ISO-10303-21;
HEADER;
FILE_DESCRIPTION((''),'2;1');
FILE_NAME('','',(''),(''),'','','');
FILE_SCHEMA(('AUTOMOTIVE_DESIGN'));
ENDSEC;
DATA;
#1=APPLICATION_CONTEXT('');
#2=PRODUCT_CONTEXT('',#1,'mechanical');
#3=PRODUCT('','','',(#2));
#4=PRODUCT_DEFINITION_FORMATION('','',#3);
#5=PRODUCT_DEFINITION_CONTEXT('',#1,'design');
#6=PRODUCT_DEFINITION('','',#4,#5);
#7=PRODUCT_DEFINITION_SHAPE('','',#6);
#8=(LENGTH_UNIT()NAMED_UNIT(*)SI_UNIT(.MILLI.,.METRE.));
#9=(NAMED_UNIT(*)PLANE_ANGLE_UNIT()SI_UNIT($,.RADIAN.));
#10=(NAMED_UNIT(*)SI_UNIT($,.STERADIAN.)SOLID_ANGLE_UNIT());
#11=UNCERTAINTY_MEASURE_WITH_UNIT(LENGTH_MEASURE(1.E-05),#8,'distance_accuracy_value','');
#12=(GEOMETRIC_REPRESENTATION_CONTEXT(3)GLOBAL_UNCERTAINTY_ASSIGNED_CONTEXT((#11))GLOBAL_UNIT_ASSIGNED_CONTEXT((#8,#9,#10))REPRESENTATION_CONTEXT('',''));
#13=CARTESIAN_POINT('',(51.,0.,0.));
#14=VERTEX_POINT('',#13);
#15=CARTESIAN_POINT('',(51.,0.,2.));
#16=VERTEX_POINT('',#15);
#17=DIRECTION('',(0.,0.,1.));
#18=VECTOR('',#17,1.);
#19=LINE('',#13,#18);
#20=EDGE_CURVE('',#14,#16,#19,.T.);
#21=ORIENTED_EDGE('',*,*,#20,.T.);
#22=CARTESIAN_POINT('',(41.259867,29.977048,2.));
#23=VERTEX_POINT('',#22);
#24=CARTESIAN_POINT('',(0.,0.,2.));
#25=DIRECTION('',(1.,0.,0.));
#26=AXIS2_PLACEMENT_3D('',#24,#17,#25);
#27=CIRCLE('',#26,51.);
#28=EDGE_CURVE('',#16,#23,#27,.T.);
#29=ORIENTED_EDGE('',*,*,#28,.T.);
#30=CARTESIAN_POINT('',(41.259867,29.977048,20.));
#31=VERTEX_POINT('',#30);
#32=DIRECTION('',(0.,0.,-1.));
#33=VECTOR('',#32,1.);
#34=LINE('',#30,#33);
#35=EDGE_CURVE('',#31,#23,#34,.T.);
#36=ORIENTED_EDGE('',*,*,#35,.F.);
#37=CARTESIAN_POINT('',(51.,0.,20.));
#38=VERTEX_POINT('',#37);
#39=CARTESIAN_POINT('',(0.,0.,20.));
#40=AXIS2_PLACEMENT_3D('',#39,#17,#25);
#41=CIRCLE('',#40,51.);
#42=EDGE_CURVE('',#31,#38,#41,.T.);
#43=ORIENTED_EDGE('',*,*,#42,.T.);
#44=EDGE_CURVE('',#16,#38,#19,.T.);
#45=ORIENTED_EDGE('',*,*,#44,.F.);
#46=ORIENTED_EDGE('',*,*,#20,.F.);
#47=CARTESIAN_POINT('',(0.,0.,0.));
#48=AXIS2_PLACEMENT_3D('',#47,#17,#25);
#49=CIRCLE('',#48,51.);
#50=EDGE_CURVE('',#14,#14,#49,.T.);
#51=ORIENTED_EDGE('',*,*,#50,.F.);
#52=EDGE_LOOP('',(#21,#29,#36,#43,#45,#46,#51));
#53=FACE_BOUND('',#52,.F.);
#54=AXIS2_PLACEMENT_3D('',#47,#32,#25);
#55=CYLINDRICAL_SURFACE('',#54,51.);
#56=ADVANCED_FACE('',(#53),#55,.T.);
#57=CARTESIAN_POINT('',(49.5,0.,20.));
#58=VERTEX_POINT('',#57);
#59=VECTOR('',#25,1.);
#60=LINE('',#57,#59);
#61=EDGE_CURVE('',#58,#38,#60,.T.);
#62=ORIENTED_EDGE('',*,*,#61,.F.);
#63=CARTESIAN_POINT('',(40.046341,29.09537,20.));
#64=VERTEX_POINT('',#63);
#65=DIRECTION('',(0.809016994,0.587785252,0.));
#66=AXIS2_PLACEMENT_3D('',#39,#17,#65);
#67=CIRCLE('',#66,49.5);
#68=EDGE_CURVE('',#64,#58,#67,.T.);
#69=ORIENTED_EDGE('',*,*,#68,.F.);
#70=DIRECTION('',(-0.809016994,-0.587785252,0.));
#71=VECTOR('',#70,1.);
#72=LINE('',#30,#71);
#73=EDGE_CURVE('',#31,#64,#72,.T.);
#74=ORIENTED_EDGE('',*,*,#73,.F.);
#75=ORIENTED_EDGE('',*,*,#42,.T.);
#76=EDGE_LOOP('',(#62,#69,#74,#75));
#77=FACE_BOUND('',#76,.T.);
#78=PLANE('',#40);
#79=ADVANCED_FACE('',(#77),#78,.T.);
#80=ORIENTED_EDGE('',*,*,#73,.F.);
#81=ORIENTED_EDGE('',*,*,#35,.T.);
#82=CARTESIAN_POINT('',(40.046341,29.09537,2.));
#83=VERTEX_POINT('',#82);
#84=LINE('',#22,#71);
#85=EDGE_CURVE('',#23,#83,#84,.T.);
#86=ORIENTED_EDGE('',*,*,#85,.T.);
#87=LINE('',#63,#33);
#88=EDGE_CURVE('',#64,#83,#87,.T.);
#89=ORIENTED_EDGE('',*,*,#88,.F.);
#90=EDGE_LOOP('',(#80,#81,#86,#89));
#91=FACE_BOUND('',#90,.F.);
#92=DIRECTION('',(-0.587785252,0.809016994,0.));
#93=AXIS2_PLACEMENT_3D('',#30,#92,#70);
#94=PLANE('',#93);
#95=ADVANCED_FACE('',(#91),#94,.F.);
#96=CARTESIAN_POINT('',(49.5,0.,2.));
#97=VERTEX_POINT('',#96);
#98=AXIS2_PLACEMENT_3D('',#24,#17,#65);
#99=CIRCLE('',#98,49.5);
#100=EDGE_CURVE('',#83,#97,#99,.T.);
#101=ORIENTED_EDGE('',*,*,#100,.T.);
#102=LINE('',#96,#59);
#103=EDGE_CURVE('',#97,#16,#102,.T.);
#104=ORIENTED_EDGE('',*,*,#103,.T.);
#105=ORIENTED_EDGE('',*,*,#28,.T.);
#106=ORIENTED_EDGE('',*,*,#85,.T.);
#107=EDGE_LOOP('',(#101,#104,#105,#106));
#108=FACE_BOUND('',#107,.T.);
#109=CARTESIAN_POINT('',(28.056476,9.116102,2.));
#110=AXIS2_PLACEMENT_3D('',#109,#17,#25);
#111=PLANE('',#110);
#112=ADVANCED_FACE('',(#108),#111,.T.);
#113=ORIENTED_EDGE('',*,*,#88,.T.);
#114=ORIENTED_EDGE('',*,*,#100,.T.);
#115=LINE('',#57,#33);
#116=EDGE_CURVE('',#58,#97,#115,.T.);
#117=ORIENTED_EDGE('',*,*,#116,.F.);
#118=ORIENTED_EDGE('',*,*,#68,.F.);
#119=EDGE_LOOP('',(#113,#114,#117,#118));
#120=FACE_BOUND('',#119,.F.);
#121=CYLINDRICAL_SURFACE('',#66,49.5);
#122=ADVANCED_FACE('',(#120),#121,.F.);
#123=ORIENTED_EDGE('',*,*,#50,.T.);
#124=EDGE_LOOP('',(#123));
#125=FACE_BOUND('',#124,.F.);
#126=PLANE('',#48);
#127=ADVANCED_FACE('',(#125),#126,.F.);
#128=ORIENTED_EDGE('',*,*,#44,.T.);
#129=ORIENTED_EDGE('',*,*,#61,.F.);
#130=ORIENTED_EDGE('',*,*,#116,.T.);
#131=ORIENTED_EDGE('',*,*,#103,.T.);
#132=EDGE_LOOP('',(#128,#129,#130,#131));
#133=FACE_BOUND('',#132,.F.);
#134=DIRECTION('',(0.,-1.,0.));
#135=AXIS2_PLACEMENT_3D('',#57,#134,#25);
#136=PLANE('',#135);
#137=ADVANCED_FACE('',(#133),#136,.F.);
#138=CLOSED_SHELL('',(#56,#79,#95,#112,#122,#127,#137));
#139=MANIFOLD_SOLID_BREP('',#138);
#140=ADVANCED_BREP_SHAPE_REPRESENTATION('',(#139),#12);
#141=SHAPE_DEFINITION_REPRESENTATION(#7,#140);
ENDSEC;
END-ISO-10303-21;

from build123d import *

# Parameters (mm, degrees)
F0_R     = 51
F1_DEPTH = 20
F3_DEPTH = 18


with BuildPart() as f1:
    # F0 (on Top) → F1 (new body)
    with BuildSketch(Plane.XY):
        Circle(F0_R)
    extrude(amount=F1_DEPTH)

    # F2 (on face) → F3 (cut)
    with BuildSketch(Plane.XY.offset(20)):
        with BuildLine():
            Line((0, 0), (49.5, 0))
            ThreePointArc((49.5, 0), (47.0772975566, 15.2963412216), (40.0463412216, 29.0953699885))
            Line((40.0463412216, 29.0953699885), (0, 0))
        make_face()
        with BuildLine():
            ThreePointArc((40.0463412216, 29.0953699885), (-47.0772975566, -15.2963412216), (49.5, 0))
            Line((49.5, 0), (0, 0))
            Line((0, 0), (40.0463412216, 29.0953699885))
        make_face()
        with BuildLine():
            ThreePointArc((40.0463412216, 29.0953699885), (47.0772975566, 15.2963412216), (49.5, 0))
            Line((49.5, 0), (51, 0))
            ThreePointArc((51, 0), (48.5038823311, 15.7598667131), (41.2598667131, 29.9770478669))
            Line((41.2598667131, 29.9770478669), (40.0463412216, 29.0953699885))
        make_face()
    extrude(amount=-F3_DEPTH, mode=Mode.SUBTRACT)


solid = f1.part
